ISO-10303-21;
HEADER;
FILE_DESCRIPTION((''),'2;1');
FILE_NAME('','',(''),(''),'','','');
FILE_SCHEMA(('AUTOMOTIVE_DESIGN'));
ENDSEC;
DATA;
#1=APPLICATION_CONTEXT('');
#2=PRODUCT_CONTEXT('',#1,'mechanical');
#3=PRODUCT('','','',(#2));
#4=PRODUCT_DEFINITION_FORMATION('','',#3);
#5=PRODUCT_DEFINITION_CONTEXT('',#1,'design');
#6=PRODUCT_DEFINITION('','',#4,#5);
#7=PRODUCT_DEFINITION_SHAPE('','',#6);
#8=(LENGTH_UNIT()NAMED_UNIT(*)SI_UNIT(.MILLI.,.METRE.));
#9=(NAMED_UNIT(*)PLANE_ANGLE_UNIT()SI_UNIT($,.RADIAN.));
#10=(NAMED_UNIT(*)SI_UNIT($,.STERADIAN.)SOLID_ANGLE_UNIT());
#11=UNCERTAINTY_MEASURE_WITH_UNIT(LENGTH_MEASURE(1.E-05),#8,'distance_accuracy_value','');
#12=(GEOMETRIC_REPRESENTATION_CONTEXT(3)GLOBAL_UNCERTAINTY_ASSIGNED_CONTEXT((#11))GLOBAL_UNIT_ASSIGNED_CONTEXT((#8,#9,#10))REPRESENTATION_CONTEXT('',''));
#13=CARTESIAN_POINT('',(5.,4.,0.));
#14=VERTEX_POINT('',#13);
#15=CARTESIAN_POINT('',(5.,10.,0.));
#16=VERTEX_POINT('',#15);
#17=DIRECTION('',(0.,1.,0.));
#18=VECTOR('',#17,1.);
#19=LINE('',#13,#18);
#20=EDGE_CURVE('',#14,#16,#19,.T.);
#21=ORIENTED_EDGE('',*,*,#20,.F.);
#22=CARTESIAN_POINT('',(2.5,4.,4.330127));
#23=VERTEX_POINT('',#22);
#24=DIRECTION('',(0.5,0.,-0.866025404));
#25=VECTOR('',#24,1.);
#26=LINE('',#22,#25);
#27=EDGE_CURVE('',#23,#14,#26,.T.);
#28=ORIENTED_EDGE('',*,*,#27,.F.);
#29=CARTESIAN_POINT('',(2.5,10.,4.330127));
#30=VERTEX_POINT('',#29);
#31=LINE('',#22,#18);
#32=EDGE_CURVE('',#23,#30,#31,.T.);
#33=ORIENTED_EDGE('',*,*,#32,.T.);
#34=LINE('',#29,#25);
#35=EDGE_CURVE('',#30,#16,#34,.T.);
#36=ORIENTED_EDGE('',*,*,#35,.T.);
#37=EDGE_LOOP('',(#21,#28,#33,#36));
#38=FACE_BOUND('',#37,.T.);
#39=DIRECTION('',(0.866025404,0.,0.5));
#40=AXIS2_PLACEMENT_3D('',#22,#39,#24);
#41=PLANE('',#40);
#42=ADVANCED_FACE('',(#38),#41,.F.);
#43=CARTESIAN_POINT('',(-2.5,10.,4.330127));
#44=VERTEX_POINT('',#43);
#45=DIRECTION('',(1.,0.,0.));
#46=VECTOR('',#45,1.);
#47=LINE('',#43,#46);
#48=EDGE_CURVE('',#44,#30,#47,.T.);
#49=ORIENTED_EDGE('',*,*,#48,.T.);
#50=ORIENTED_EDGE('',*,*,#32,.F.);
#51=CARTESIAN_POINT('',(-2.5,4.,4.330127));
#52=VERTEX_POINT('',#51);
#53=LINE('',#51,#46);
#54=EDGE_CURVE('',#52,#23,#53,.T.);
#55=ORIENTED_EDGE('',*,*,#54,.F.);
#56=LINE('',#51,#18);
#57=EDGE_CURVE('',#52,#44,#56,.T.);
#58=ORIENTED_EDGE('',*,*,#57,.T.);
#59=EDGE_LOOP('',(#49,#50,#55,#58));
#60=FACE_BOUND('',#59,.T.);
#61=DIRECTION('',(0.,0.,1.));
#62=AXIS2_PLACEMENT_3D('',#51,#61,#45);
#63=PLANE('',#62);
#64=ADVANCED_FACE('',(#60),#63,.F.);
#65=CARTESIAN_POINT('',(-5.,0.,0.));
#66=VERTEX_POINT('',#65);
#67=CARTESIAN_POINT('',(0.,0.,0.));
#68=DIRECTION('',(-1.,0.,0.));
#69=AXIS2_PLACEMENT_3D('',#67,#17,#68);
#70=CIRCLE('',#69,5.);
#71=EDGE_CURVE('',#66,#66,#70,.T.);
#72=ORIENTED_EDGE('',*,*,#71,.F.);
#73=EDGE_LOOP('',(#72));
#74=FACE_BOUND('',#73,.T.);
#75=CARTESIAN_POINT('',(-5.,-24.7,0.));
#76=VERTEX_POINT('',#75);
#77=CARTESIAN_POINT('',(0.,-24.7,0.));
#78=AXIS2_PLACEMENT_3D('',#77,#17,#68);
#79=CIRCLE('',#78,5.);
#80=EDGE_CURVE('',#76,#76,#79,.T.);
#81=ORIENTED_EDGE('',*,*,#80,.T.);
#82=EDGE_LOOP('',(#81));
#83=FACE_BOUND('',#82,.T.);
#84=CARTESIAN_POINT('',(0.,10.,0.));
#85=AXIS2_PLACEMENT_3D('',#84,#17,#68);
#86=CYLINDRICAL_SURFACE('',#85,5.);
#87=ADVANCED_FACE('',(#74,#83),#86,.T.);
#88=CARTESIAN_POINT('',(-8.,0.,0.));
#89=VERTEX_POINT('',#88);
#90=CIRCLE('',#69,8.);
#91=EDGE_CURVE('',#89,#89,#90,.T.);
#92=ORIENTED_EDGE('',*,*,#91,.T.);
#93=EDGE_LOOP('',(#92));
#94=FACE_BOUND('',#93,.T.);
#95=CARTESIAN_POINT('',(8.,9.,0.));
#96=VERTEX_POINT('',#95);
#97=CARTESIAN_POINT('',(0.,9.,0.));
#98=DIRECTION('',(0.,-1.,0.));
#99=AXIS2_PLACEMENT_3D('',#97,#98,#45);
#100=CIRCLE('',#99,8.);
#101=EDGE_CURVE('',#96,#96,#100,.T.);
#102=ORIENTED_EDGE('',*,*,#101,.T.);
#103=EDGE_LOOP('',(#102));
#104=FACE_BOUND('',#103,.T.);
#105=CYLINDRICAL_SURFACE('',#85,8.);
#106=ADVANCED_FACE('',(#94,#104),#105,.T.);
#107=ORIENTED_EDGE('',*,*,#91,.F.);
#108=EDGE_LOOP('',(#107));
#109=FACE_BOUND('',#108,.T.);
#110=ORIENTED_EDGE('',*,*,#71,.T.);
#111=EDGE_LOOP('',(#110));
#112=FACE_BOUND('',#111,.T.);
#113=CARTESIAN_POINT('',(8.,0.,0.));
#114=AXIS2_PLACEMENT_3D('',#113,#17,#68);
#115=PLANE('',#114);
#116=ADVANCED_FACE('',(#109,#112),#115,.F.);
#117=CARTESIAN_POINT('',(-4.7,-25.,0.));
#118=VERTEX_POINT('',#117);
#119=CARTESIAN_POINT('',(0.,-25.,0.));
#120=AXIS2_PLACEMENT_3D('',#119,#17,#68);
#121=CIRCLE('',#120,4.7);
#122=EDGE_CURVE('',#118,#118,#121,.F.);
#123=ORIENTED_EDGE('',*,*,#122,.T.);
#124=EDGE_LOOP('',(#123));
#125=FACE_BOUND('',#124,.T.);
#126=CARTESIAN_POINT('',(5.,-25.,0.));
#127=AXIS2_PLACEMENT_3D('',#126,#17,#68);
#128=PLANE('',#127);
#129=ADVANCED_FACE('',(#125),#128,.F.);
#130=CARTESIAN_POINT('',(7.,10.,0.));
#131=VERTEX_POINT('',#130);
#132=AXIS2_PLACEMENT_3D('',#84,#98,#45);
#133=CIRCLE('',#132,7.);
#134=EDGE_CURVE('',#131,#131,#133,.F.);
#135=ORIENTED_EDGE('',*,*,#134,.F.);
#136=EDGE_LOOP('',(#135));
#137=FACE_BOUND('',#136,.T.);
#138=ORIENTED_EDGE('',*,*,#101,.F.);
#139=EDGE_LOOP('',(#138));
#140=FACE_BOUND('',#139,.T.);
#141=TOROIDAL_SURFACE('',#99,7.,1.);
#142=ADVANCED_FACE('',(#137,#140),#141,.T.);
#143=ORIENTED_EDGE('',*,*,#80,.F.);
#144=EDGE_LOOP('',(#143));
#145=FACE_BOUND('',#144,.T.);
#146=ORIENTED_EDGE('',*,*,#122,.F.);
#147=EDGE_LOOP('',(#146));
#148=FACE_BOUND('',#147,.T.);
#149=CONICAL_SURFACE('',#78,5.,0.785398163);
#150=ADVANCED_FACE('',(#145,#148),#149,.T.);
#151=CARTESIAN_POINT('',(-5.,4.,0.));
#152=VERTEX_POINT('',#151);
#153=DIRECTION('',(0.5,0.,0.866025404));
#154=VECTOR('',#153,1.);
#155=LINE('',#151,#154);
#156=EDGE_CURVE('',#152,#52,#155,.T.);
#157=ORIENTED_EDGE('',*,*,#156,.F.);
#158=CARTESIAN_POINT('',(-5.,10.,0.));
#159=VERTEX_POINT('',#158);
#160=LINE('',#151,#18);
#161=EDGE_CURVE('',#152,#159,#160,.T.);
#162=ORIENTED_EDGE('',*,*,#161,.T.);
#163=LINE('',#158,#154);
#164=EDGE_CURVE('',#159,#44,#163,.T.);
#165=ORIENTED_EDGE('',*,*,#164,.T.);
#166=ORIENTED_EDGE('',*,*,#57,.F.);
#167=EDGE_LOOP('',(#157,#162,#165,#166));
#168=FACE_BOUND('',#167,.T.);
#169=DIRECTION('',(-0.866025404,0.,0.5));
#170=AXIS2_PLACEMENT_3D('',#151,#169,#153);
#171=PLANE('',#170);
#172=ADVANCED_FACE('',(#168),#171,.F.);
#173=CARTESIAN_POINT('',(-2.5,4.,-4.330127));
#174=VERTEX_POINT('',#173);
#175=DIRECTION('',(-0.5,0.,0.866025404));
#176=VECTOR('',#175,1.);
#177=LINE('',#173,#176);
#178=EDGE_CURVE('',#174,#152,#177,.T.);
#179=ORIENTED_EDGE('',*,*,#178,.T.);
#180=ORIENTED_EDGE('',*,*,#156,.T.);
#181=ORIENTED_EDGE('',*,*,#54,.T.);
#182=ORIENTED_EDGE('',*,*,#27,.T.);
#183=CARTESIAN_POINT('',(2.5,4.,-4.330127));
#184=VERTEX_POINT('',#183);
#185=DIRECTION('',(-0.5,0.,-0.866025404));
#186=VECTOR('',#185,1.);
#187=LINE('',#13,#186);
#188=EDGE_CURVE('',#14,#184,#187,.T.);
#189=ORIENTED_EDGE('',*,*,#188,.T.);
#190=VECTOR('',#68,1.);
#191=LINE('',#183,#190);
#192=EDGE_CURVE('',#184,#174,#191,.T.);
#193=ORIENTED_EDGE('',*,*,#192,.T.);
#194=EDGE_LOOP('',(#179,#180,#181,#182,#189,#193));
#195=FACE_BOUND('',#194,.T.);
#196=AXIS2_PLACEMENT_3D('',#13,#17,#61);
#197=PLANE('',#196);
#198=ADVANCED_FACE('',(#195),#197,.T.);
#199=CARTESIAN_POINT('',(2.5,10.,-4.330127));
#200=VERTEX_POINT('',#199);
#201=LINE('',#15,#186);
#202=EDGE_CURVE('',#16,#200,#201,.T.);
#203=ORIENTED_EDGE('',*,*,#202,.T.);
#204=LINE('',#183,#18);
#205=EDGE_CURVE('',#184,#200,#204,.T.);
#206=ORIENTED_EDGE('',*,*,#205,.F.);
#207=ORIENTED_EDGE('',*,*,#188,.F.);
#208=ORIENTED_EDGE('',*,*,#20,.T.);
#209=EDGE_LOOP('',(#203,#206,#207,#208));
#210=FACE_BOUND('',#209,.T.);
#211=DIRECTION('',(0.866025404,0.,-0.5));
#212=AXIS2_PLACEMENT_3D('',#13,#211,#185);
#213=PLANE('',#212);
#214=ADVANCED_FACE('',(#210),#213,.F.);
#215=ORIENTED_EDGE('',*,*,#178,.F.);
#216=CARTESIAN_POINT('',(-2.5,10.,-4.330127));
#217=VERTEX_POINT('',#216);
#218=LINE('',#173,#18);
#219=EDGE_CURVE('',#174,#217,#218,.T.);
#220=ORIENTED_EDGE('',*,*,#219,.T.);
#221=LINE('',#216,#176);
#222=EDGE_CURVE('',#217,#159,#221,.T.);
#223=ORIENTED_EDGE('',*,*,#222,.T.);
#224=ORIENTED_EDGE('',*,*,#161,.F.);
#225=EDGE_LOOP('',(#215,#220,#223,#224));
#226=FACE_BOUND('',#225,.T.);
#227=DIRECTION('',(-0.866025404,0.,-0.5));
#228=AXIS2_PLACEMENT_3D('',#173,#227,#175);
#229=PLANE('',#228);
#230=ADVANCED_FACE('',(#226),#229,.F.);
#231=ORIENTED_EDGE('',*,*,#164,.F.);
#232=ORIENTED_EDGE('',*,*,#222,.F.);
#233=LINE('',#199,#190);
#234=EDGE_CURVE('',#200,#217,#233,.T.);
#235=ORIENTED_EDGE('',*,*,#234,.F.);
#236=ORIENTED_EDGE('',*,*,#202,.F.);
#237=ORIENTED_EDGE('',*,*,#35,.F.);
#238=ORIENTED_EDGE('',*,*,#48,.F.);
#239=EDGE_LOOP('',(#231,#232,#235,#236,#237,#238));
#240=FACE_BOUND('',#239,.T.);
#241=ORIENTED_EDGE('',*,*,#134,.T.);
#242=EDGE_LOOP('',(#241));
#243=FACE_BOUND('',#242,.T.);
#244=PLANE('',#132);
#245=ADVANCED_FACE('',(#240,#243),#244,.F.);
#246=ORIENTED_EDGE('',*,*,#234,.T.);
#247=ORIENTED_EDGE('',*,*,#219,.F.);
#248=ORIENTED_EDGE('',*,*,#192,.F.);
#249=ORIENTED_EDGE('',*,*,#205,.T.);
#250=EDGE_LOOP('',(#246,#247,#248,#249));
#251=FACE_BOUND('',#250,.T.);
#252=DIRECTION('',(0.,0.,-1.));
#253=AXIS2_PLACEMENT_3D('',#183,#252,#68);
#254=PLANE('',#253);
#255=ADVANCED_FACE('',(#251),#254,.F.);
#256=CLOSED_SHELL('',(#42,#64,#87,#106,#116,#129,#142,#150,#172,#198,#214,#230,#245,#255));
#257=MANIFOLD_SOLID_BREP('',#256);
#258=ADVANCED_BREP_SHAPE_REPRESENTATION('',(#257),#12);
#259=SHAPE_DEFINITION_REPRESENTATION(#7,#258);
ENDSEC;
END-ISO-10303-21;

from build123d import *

# Parameters (mm, degrees)
FILLET_1_R          = 1
CUT_EXTRUDE_START   = 10
CUT_EXTRUDE_1_DEPTH = 6
CHAMFER_1_SIZE      = 0.3


with BuildPart() as part:
    # 草图1 → 旋转1 (revolve)
    with BuildSketch(Plane.XY, mode=Mode.PRIVATE) as revolve_1_sk:
        Polygon((0, 10), (8, 10), (8, 0), (5, 0), (5, -25), (0, -25), align=None)
    revolve(revolve_1_sk.sketch.rotate(Axis((0, 10, 0), (0, -1, 0)), 180), axis=Axis((0, 10, 0), (0, -1, 0)))

    # 圆角1
    fillet_1_edges = [part.edges().sort_by_distance(p)[0] for p in [
        (8, 10, 0),
    ]]
    fillet(fillet_1_edges, radius=FILLET_1_R)

    # 草图2 → 切除-拉伸1 (cut)
    with BuildSketch(Plane(origin=(0, 0, 0), x_dir=(1, 0, 0), z_dir=(0, 1, 0)).offset(CUT_EXTRUDE_START)):
        Polygon((5, 0), (2.5, 4.330127019), (-2.5, 4.330127019), (-5, 0), (-2.5, -4.330127019), (2.5, -4.330127019), align=None)
    extrude(amount=-CUT_EXTRUDE_1_DEPTH, mode=Mode.SUBTRACT)

    # 倒角1
    chamfer_1_edges = [part.edges().sort_by_distance(p)[0] for p in [
        (5, -25, 0),
    ]]
    chamfer(chamfer_1_edges, length=CHAMFER_1_SIZE)


solid = part.part
